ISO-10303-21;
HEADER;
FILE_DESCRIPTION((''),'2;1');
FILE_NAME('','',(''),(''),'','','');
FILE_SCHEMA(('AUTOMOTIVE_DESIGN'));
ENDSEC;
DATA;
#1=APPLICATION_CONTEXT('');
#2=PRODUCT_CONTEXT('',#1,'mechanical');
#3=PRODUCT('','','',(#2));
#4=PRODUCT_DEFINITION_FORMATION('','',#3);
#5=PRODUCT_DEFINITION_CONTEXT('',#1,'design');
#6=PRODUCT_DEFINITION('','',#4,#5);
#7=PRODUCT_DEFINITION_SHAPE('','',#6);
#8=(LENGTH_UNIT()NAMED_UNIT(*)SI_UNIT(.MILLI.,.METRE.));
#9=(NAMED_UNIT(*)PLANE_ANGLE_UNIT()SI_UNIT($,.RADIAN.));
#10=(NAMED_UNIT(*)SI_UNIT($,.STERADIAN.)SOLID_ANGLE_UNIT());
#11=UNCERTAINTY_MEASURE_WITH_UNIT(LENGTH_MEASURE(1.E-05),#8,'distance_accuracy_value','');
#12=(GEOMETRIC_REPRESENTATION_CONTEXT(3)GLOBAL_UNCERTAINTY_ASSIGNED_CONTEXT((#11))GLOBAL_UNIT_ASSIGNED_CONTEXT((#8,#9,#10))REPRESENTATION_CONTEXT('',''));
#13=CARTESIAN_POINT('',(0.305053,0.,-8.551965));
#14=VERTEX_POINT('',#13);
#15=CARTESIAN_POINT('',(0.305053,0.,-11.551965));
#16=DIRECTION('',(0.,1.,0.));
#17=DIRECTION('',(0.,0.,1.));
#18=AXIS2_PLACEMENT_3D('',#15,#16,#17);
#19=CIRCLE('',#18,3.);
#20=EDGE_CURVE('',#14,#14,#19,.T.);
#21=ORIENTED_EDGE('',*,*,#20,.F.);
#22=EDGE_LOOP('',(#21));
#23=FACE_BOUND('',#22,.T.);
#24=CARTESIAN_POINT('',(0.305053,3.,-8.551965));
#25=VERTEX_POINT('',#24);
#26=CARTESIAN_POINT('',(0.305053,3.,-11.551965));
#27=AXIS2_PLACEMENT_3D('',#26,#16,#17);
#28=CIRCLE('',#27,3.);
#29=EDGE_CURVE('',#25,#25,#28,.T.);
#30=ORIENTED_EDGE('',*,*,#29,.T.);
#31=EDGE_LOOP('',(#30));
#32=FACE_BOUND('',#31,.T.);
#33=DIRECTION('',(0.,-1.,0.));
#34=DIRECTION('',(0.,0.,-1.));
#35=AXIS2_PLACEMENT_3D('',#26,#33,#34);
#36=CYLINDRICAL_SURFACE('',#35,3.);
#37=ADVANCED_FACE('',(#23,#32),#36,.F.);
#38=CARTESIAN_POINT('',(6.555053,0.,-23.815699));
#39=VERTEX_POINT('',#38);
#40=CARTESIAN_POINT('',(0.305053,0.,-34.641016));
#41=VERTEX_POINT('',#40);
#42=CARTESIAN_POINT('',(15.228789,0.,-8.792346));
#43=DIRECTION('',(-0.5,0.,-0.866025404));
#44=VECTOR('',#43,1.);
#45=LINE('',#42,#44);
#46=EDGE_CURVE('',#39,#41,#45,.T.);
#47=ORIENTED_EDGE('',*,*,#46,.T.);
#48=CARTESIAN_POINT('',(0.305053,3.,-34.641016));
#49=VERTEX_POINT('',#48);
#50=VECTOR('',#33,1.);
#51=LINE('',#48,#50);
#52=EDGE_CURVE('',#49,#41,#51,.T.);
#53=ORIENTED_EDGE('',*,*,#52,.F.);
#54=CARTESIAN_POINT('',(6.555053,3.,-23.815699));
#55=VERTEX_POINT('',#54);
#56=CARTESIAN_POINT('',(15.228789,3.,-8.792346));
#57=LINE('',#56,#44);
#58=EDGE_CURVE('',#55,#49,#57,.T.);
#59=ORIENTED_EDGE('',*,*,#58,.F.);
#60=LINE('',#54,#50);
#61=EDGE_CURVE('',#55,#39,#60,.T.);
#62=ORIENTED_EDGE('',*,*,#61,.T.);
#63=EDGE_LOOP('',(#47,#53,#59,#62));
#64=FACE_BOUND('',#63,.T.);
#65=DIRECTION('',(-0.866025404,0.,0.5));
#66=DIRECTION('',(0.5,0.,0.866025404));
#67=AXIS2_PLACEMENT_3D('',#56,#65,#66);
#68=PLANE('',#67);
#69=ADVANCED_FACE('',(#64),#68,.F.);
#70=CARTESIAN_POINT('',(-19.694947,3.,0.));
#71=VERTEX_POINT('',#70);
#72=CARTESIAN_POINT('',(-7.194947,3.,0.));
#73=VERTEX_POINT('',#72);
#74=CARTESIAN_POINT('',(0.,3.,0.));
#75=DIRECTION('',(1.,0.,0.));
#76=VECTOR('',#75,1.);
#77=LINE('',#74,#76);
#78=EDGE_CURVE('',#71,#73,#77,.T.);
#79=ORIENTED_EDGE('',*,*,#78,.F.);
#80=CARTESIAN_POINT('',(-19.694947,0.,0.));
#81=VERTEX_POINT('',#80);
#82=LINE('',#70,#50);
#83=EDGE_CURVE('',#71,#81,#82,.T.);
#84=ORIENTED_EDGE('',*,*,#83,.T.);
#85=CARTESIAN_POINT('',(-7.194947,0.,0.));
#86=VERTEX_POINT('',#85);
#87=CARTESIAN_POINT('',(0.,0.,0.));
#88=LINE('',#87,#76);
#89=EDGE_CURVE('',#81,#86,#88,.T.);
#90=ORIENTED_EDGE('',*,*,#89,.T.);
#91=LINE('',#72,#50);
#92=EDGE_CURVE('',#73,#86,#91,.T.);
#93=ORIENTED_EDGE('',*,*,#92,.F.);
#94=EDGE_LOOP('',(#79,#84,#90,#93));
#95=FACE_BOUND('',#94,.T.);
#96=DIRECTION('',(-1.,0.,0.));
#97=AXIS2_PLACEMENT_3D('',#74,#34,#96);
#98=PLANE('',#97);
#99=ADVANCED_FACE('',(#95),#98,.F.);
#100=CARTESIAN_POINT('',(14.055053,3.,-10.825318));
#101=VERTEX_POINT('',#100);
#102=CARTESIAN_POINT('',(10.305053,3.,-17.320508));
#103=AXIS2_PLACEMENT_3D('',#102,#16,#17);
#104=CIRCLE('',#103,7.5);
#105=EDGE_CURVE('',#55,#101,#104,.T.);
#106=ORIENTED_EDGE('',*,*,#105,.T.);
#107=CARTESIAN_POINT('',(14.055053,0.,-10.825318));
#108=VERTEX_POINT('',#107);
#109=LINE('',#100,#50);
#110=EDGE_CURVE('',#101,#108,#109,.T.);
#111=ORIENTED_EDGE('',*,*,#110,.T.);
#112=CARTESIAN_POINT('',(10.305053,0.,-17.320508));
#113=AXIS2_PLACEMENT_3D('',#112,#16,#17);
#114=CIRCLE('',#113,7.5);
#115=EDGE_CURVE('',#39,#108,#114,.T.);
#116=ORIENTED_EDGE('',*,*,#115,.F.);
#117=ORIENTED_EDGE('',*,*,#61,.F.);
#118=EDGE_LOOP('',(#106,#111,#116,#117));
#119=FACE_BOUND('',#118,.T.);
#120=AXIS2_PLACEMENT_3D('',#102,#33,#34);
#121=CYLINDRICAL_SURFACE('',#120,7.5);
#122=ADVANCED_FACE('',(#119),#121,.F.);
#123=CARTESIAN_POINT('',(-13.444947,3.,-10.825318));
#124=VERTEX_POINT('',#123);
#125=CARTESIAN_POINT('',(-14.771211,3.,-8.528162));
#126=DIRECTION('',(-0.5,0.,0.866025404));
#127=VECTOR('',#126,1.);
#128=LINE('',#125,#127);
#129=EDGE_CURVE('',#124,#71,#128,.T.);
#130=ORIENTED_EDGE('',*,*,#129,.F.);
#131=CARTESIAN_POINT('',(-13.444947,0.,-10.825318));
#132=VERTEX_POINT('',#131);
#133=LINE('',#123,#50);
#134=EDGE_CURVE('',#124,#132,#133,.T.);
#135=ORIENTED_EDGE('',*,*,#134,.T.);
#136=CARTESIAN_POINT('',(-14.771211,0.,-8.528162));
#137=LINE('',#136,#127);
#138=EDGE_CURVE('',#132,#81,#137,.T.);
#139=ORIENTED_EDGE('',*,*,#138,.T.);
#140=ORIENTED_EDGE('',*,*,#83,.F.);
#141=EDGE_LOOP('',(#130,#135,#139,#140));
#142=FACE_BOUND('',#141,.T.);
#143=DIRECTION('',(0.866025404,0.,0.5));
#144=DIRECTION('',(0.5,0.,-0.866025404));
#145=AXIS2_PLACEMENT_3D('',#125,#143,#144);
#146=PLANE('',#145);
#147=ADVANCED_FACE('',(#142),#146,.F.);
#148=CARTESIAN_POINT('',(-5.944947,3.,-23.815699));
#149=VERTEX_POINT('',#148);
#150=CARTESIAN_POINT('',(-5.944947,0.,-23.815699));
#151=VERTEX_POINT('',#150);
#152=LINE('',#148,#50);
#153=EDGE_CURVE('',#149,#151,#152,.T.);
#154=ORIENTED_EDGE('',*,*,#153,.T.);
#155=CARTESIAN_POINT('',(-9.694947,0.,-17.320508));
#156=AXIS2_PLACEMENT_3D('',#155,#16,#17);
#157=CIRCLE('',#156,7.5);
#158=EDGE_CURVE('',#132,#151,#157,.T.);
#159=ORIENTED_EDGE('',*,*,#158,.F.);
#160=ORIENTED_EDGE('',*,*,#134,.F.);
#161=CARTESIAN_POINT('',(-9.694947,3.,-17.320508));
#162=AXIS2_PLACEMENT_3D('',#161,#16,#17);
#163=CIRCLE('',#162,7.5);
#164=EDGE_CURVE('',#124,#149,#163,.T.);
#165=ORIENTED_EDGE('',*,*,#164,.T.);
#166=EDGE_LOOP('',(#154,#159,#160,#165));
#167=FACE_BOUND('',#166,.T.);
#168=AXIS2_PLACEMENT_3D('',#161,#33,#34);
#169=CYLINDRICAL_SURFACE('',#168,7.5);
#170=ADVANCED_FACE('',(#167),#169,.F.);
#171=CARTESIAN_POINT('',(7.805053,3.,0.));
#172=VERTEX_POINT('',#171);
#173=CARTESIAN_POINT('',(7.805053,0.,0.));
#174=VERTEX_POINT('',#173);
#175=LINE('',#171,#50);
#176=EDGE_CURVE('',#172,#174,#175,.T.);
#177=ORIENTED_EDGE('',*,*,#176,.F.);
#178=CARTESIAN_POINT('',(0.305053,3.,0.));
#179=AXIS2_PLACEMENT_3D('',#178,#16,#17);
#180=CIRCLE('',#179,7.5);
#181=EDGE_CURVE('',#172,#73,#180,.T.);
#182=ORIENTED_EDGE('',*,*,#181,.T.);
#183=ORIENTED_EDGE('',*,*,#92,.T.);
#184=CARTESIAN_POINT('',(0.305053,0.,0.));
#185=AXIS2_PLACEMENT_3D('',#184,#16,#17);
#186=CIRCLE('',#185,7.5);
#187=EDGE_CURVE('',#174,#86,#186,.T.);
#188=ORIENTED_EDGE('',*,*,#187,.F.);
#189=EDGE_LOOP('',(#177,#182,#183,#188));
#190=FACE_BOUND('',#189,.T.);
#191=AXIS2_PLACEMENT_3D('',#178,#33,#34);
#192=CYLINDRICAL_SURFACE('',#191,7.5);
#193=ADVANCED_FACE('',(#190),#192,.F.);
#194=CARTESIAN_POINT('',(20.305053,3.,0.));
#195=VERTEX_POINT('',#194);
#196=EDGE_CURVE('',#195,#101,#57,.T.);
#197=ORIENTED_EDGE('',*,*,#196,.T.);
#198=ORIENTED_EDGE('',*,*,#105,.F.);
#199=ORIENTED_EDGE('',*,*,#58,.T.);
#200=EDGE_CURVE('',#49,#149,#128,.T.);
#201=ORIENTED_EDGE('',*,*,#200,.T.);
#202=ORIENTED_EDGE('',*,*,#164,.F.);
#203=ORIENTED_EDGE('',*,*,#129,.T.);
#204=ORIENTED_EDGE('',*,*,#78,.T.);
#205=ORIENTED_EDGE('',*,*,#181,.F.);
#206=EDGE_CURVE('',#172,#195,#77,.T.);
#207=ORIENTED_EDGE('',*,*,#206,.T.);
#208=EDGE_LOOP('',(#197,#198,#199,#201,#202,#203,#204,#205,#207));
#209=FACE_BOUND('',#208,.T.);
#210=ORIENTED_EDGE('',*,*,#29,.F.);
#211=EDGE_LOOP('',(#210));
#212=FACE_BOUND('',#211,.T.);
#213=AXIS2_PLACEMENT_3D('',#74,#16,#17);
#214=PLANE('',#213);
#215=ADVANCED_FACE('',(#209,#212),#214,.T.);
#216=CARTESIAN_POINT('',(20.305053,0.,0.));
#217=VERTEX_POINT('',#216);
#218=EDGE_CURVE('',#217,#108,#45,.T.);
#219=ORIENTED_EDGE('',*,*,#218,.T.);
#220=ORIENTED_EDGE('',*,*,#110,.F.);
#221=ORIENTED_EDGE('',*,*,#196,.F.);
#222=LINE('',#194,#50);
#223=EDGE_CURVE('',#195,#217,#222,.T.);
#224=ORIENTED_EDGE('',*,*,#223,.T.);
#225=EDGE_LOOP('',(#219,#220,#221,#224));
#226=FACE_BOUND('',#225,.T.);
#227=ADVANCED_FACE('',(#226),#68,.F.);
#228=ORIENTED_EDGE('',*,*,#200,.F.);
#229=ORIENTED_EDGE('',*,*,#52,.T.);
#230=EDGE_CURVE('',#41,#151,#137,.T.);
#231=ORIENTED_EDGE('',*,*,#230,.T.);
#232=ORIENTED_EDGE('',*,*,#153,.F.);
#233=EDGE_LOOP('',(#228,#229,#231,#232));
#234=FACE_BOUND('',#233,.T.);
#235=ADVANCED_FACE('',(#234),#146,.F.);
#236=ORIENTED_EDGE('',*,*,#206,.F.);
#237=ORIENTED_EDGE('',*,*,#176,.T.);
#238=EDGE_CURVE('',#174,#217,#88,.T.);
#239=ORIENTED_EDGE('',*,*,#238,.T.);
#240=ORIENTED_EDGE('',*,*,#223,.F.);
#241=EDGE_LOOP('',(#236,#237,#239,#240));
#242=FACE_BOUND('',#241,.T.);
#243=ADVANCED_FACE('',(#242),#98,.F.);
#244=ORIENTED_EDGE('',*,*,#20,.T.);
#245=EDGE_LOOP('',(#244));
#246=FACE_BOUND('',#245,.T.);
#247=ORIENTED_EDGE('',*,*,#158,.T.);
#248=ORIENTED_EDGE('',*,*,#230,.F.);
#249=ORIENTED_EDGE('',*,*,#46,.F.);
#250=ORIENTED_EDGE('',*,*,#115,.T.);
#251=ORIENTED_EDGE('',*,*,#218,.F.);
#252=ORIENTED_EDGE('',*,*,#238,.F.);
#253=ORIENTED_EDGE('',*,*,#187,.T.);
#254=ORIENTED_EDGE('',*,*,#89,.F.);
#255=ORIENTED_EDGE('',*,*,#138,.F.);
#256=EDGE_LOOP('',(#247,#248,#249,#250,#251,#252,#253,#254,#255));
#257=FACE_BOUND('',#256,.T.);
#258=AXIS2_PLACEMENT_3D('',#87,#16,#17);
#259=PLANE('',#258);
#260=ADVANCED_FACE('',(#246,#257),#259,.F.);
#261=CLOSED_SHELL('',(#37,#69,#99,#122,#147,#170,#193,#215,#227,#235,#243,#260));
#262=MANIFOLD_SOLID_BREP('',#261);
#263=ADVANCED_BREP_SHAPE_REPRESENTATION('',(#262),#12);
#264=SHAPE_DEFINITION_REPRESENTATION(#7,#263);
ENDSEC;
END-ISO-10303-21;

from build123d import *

# Parameters (mm, degrees)
SKETCH1_R           = 3
BOSS_EXTRUDE1_DEPTH = 3


with BuildPart() as part:
    # Sketch1 → Boss-Extrude1 (new body)
    with BuildSketch(Plane(origin=(0, 0, 0), x_dir=(1, 0, 0), z_dir=(0, 1, 0))):
        with BuildLine():
            Line((6.555052507, 23.815698604), (0.305052507, 34.641016151))
            Line((0.305052507, 34.641016151), (-5.944947493, 23.815698604))
            ThreePointArc((-5.944947493, 23.815698604), (-3.199756965, 21.070508076), (-2.194947493, 17.320508076))
            ThreePointArc((-2.194947493, 17.320508076), (-5.944947493, 10.825317547), (-13.444947493, 10.825317547))
            Line((-13.444947493, 10.825317547), (-19.694947493, 0))
            Line((-19.694947493, 0), (-7.194947493, 0))
            ThreePointArc((-7.194947493, 0), (0.305052507, 7.5), (7.805052507, 0))
            Line((7.805052507, 0), (20.305052507, 0))
            Line((20.305052507, 0), (14.055052507, 10.825317547))
            ThreePointArc((14.055052507, 10.825317547), (3.809861978, 13.570508076), (6.555052507, 23.815698604))
        make_face()
        with Locations(Location((0.305052507, 11.551965164, 0), (0, 0, 270))):
            Circle(SKETCH1_R, mode=Mode.SUBTRACT)
    extrude(amount=BOSS_EXTRUDE1_DEPTH)


solid = part.part
